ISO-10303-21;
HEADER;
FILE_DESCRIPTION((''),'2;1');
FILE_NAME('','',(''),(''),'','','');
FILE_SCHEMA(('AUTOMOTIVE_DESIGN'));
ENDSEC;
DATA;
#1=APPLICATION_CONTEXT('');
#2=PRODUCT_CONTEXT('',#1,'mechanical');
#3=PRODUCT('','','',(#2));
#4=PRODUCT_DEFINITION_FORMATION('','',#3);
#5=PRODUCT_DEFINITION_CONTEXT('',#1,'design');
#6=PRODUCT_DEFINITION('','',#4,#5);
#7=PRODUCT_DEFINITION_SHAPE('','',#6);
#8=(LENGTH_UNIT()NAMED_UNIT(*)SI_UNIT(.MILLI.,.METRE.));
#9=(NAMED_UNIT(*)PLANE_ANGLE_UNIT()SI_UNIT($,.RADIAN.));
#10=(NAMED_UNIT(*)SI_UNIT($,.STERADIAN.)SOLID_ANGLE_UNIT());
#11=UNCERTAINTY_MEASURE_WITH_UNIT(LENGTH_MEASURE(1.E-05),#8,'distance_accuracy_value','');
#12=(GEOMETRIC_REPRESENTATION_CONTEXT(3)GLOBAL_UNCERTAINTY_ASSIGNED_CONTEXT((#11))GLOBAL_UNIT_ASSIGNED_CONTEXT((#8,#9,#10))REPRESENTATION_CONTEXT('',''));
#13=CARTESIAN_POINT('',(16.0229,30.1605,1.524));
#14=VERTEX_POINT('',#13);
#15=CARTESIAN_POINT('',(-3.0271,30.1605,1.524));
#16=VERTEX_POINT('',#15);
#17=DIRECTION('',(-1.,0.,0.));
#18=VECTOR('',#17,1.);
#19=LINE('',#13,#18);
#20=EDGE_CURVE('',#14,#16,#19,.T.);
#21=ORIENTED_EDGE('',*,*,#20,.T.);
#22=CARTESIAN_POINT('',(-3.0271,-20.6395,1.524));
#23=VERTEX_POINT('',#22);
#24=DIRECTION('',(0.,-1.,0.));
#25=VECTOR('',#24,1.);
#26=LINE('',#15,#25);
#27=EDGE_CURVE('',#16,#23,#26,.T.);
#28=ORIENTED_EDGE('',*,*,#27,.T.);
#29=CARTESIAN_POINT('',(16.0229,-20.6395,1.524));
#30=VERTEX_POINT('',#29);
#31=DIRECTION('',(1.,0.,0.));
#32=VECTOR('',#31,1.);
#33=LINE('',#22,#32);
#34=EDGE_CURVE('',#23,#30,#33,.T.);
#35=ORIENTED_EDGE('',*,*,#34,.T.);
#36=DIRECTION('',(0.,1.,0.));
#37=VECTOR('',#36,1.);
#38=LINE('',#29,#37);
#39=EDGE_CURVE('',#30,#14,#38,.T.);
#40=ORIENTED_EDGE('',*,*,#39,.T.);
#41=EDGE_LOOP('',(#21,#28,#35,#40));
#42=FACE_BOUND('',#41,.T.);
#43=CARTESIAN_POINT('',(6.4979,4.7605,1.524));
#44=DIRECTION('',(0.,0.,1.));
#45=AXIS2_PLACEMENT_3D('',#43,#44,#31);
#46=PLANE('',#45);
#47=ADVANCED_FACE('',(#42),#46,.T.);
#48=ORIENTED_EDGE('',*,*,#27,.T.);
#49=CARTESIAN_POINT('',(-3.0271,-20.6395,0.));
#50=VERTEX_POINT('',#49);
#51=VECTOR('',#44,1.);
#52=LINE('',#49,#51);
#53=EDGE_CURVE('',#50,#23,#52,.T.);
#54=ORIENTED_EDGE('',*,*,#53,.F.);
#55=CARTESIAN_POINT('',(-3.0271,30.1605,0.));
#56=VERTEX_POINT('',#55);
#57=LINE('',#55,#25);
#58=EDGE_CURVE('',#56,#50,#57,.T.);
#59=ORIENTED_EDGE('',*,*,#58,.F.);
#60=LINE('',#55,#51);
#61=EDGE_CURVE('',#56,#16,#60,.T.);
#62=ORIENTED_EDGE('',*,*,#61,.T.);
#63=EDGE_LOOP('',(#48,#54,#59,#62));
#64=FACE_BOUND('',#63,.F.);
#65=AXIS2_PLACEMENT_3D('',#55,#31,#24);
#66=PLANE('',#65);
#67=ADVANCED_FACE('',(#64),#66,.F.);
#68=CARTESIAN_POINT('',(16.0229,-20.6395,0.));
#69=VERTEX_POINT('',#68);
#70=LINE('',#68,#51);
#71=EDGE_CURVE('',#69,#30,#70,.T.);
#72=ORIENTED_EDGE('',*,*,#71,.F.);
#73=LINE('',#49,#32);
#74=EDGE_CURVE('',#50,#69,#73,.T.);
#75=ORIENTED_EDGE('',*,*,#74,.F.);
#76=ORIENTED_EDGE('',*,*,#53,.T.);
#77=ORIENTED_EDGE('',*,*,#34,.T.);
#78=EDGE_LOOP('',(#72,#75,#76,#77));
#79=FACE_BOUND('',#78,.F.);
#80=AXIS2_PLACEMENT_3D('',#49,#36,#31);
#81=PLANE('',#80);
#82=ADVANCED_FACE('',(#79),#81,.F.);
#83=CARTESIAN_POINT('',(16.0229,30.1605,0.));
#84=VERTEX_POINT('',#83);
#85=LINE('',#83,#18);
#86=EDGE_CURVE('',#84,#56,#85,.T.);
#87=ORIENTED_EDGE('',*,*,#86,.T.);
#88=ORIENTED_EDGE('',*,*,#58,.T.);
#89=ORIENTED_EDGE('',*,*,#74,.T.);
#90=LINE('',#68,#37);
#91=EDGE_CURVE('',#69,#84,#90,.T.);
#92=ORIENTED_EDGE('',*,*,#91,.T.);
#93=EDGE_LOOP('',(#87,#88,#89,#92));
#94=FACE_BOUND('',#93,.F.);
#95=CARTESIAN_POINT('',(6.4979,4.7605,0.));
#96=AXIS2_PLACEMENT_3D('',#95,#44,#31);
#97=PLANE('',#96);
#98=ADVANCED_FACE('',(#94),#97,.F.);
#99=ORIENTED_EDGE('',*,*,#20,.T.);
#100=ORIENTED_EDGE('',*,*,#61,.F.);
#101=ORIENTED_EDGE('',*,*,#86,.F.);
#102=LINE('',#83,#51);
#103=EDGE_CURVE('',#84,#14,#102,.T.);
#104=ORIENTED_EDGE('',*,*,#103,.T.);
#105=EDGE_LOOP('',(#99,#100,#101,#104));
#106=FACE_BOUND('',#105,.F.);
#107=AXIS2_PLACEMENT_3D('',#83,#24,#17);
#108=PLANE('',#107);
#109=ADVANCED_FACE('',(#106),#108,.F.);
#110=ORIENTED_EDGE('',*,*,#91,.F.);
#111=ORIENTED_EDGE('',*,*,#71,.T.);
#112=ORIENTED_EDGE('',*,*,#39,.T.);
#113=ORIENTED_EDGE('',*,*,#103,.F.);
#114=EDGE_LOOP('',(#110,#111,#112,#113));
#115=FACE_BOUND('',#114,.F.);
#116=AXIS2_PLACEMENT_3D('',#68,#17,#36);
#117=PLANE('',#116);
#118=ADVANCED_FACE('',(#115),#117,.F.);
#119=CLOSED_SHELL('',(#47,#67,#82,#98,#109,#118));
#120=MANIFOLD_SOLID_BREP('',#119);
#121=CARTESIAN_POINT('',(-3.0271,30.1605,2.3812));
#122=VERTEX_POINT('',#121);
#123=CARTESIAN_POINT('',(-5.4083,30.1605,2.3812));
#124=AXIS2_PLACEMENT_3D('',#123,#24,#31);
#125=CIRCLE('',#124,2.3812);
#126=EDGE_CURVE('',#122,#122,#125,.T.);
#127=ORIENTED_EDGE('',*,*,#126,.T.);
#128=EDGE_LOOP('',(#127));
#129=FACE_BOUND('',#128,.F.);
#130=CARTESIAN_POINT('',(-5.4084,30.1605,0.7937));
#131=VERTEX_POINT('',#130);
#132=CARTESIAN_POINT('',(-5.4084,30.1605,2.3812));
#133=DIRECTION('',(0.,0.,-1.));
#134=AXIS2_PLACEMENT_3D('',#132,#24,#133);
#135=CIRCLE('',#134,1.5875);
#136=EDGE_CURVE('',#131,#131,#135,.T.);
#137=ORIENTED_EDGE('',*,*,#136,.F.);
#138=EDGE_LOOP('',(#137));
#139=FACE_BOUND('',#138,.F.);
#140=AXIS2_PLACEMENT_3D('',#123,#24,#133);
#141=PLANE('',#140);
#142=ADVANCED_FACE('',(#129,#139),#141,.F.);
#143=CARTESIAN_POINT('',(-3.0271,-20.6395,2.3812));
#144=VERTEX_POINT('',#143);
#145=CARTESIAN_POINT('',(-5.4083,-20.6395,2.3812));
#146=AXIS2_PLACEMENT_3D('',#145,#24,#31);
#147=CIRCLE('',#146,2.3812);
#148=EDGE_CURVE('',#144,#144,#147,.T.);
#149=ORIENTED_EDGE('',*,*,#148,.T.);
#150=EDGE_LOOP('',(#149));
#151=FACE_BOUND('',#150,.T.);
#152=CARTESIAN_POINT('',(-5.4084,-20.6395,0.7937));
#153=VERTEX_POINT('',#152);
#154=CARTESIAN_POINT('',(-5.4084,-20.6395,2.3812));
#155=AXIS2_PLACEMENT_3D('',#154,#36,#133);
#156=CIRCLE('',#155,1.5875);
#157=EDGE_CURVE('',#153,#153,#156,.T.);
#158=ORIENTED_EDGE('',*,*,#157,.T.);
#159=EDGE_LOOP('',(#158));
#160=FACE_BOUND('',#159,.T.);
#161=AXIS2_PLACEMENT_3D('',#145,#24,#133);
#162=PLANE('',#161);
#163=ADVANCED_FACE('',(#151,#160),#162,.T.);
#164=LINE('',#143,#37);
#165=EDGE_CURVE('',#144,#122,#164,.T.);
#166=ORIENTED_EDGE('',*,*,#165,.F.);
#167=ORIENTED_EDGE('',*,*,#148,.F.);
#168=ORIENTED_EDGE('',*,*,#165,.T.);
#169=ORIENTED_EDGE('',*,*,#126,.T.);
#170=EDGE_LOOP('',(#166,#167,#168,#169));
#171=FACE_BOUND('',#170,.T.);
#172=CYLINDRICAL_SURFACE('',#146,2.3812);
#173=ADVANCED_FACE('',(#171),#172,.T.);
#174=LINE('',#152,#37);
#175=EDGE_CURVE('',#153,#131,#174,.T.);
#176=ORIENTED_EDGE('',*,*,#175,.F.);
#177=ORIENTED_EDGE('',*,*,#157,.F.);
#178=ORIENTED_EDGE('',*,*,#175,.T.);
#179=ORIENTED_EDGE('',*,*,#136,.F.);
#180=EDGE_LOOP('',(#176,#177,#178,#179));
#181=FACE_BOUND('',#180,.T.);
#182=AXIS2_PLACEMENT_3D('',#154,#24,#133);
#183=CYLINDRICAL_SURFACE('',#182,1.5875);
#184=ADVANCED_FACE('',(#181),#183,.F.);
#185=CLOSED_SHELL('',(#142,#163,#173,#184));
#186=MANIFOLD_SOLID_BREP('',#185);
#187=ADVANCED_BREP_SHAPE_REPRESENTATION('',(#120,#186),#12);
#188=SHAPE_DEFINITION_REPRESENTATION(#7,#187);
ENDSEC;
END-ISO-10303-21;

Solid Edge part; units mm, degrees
sketch "Sketch1" plane through (0, 0, 0) normal (0, 0, 1) x (1, 0, 0)
  line L0 (-3.0271, -20.6395) -> (16.0229, -20.6395)
  line L1 (16.0229, -20.6395) -> (16.0229, 30.1605)
  line L2 (16.0229, 30.1605) -> (-3.0271, 30.1605)
  line L3 (-3.0271, 30.1605) -> (-3.0271, -20.6395)
  dimension "D1" = 50.8
  dimension "D2" = 19.05
extrude "Protrusion1" add sketch "Sketch1" along normal blind 1.524
sketch "Sketch2" plane through (8.0854, -20.6395, 0.762) normal (0, -1, 0) x (1, 0, 0)
  circle A0 centre (-13.4937, 1.6192) radius 2.3812
  dimension "D1" = 4.7625
extrude "ExtrudedProtrusion_2" add sketch "Sketch2" against normal blind 50.8
hole "Hole_1" at (-5.4084, -20.6395, 2.3812) direction (0, 1, 0) diameter 3.175 end up to next
properties part number "16175A181"
